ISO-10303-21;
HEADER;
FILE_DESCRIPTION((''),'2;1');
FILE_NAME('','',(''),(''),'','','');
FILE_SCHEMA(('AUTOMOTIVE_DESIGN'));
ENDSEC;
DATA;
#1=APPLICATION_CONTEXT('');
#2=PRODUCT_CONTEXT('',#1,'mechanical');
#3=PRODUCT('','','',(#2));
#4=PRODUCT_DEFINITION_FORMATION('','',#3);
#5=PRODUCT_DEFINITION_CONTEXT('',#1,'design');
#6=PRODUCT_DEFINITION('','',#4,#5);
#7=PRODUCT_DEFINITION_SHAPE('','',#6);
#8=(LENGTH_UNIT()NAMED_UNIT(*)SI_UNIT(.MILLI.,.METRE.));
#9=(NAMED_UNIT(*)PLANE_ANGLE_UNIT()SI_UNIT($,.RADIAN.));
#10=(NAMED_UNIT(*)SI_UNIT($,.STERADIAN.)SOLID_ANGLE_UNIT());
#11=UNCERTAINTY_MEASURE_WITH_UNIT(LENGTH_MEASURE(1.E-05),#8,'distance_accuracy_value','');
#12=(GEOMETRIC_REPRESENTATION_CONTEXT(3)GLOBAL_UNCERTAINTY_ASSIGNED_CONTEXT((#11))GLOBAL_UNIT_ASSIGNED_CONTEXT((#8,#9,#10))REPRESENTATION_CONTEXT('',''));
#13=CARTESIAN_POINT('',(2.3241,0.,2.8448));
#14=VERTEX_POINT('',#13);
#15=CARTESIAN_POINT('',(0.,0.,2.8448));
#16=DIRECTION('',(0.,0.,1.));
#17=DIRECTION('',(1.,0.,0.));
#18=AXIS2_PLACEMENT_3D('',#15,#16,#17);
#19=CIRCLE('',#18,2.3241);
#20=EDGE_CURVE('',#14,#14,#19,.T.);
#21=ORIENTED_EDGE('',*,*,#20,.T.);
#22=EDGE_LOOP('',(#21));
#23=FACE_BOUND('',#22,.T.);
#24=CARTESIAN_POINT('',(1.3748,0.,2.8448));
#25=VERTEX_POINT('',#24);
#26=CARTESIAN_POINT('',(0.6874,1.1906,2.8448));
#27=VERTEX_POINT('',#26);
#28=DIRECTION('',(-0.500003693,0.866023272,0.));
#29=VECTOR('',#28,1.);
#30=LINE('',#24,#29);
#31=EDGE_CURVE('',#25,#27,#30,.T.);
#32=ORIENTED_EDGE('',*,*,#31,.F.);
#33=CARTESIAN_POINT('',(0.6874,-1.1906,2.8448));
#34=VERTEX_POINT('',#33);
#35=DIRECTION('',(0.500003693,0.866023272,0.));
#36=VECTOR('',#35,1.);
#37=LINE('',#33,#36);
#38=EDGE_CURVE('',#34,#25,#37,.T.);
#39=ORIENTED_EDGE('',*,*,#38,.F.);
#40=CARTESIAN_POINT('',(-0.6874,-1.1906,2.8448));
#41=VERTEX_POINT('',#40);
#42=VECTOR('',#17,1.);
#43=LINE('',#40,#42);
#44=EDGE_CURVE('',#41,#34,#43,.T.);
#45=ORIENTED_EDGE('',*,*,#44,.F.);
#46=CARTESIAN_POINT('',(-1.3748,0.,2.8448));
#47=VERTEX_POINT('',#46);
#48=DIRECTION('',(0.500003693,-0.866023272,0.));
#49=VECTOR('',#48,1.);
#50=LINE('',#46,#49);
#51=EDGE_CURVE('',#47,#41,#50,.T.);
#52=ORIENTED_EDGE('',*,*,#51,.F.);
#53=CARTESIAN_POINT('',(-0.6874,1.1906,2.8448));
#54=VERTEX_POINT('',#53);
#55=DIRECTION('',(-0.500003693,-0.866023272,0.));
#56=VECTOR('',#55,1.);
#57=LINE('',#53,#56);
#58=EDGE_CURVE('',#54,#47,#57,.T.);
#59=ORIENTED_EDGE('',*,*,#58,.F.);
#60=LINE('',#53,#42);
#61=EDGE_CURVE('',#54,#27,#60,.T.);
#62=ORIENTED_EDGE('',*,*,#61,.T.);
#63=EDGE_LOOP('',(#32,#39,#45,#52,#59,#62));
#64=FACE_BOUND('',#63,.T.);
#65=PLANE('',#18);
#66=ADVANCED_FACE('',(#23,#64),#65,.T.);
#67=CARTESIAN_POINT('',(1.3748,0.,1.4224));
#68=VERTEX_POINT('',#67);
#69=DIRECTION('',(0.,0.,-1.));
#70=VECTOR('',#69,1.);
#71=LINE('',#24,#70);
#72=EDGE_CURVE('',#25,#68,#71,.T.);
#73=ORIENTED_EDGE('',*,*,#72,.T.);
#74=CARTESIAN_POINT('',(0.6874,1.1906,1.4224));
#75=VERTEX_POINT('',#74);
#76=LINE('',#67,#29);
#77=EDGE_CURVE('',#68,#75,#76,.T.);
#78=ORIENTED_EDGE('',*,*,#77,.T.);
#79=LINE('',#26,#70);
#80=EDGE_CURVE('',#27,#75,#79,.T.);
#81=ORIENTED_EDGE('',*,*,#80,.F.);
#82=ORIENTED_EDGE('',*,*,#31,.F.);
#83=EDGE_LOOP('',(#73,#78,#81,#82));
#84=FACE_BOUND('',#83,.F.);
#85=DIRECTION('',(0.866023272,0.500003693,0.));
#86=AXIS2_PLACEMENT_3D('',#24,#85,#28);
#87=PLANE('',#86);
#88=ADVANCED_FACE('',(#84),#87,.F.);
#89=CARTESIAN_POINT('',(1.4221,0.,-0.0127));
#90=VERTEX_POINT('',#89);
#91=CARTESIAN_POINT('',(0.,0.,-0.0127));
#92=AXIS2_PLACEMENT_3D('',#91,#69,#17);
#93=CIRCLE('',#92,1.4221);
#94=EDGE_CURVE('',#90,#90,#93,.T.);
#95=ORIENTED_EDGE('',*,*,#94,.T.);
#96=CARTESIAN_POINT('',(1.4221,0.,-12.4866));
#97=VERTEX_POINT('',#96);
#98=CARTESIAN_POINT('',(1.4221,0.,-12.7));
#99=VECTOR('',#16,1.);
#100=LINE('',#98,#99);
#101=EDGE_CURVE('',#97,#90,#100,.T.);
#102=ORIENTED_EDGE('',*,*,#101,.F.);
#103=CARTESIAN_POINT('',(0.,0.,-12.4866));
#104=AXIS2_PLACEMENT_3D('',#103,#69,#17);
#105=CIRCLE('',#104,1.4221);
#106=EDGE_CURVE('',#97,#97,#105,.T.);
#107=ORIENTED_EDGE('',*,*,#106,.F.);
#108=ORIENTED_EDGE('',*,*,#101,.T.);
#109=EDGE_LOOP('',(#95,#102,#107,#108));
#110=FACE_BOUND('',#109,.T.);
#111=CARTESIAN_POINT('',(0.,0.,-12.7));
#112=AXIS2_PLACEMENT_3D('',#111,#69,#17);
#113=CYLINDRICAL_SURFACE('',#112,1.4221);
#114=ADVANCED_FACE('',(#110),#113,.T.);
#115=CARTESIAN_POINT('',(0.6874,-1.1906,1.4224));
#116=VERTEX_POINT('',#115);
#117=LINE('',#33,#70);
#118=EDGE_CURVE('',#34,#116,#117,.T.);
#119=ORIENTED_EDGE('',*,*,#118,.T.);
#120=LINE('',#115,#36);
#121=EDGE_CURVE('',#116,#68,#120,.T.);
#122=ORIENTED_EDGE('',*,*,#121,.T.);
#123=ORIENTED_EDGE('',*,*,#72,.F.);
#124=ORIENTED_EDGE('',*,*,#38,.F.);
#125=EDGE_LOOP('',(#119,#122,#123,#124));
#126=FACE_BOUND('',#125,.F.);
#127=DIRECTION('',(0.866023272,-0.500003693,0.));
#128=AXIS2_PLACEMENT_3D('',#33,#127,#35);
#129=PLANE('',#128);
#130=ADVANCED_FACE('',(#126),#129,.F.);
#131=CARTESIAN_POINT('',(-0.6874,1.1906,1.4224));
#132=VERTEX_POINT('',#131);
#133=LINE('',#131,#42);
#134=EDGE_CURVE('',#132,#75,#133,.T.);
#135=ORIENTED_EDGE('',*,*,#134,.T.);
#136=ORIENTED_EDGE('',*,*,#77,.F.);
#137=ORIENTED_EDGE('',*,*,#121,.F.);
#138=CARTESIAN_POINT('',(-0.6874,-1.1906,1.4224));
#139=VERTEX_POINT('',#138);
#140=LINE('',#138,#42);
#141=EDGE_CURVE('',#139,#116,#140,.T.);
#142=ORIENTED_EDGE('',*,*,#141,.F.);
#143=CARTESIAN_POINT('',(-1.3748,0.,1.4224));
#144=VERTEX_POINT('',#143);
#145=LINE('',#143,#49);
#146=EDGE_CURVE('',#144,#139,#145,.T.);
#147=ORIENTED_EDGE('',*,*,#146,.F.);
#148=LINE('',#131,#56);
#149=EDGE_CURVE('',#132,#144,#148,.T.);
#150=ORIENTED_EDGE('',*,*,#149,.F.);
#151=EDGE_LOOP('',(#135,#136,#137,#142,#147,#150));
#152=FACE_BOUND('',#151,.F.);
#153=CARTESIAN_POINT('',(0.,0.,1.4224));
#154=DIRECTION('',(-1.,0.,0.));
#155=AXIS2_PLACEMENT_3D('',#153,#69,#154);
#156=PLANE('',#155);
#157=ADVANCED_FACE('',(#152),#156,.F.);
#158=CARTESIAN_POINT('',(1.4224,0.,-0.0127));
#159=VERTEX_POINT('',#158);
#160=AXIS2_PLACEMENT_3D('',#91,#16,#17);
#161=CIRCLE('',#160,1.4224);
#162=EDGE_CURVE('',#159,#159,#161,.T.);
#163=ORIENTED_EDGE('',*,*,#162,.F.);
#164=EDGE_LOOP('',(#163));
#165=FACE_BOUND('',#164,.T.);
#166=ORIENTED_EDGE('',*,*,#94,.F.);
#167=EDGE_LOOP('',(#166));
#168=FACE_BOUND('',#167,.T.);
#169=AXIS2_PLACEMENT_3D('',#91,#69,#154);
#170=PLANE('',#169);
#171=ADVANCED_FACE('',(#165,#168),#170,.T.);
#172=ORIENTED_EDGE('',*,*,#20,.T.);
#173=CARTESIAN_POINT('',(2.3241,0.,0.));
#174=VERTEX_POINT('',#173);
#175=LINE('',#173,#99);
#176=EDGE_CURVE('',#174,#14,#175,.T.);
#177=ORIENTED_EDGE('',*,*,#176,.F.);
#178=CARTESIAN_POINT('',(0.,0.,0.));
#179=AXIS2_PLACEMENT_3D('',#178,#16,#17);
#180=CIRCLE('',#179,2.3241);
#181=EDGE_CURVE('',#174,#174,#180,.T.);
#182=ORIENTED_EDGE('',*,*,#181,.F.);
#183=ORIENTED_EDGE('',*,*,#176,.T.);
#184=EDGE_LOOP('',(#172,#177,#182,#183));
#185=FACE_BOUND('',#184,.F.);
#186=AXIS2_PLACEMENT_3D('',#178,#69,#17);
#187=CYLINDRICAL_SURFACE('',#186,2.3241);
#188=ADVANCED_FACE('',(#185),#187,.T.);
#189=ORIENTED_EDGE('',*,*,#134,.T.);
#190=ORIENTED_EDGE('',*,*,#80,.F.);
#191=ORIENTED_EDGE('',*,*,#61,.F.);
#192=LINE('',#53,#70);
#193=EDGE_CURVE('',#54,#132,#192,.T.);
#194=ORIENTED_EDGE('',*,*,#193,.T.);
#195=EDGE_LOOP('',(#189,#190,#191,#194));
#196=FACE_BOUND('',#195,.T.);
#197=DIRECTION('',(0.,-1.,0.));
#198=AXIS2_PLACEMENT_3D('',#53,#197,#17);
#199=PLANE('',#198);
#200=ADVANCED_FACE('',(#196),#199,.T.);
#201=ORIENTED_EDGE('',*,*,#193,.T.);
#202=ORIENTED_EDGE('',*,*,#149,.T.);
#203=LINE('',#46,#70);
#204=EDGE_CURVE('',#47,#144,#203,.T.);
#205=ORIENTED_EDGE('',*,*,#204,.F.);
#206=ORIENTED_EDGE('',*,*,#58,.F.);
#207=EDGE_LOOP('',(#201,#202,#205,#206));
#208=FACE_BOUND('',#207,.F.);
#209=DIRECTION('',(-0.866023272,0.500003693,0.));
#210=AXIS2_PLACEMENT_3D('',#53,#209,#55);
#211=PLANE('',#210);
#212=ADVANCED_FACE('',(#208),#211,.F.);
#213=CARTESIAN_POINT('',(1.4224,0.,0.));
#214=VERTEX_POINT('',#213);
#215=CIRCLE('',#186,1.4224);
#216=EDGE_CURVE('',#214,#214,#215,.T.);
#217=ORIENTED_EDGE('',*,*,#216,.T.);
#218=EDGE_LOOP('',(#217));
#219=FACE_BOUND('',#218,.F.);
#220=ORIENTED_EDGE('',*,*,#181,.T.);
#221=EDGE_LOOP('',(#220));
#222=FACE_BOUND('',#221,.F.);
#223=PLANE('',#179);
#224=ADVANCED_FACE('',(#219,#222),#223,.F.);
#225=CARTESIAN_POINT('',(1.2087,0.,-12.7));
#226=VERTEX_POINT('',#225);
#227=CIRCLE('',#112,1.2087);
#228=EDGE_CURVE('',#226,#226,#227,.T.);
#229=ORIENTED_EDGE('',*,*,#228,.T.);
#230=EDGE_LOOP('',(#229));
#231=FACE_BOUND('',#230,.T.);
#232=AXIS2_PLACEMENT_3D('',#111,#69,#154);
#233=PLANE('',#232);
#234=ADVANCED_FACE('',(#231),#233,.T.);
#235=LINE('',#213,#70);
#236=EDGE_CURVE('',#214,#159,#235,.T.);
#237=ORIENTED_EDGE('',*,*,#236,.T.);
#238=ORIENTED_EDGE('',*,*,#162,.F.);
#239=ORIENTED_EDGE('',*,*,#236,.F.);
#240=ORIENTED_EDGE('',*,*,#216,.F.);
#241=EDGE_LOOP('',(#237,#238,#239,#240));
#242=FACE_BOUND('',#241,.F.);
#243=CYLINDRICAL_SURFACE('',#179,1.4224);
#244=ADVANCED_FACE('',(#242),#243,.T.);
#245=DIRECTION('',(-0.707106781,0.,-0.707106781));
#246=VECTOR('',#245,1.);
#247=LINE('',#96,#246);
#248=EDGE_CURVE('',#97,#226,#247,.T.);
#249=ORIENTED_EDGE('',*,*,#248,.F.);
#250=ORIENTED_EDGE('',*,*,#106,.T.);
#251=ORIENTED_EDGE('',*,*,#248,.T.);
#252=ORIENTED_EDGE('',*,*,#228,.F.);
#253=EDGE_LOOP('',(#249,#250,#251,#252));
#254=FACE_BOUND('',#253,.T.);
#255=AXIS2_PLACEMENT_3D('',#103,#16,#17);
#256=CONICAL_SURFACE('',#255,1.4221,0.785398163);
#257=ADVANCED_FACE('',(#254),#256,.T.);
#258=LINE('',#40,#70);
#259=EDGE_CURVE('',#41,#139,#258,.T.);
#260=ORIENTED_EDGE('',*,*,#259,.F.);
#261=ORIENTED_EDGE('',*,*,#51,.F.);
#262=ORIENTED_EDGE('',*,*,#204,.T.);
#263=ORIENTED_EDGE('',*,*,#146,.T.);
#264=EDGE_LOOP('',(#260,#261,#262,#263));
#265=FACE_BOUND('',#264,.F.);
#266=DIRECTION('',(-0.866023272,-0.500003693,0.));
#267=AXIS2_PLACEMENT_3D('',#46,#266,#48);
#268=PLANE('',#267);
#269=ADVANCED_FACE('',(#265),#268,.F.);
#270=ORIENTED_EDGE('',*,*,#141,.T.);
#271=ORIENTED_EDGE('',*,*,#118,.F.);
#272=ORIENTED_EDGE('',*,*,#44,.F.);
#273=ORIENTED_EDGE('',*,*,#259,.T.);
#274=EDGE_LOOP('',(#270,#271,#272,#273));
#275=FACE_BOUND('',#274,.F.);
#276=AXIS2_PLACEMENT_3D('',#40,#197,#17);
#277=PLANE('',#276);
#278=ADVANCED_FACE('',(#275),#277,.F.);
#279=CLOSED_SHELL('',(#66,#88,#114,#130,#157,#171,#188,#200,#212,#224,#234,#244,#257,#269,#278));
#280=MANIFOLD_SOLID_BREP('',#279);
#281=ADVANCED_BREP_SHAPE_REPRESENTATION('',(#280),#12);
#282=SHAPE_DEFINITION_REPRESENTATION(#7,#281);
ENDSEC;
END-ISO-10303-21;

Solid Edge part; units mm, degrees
sketch "Sketch1" plane through (0, 0, 0) normal (0, 0, 1) x (1, 0, 0)
  circle A0 centre (0, 0) radius 2.3241
  dimension "D1" = 4.6482
extrude "Protrusion1" add sketch "Sketch1" along normal blind 2.8448
sketch "Sketch2" plane through (0, 0, 0) normal (0, 0, -1) x (1, 0, 0)
  circle A0 centre (0, 0) radius 1.4224
extrude "Protrusion2" add sketch "Sketch2" along normal blind 12.7
sketch "Sketch3" plane through (0, 0, -12.7) normal (0, 0, -1) x (1, 0, 0)
  circle A0 centre (0, 0) radius 1.4221
extrude "Cutout1" cut sketch "Sketch3" against normal blind 12.6873 flip side to cut
chamfer "Chamfer_1" distance 0.2134 angle 45 1 edges at (-1.4221, 0, -12.7)
sketch "Sketch4" plane through (0, 0, 2.8448) normal (0, 0, 1) x (1, 0, 0)
  line L0 (-0.6874, 1.1906) -> (0.6874, 1.1906)
  line L1 (1.3748, 0) -> (0.6874, 1.1906)
  line L2 (0.6874, -1.1906) -> (1.3748, 0)
  line L3 (-0.6874, -1.1906) -> (0.6874, -1.1906)
  line L4 (-1.3748, 0) -> (-0.6874, -1.1906)
  line L5 (-0.6874, 1.1906) -> (-1.3748, 0)
  dimension "D1" = 2.3812
extrude "Cutout2" cut sketch "Sketch4" against normal blind 1.4224
properties part number "24101584"
